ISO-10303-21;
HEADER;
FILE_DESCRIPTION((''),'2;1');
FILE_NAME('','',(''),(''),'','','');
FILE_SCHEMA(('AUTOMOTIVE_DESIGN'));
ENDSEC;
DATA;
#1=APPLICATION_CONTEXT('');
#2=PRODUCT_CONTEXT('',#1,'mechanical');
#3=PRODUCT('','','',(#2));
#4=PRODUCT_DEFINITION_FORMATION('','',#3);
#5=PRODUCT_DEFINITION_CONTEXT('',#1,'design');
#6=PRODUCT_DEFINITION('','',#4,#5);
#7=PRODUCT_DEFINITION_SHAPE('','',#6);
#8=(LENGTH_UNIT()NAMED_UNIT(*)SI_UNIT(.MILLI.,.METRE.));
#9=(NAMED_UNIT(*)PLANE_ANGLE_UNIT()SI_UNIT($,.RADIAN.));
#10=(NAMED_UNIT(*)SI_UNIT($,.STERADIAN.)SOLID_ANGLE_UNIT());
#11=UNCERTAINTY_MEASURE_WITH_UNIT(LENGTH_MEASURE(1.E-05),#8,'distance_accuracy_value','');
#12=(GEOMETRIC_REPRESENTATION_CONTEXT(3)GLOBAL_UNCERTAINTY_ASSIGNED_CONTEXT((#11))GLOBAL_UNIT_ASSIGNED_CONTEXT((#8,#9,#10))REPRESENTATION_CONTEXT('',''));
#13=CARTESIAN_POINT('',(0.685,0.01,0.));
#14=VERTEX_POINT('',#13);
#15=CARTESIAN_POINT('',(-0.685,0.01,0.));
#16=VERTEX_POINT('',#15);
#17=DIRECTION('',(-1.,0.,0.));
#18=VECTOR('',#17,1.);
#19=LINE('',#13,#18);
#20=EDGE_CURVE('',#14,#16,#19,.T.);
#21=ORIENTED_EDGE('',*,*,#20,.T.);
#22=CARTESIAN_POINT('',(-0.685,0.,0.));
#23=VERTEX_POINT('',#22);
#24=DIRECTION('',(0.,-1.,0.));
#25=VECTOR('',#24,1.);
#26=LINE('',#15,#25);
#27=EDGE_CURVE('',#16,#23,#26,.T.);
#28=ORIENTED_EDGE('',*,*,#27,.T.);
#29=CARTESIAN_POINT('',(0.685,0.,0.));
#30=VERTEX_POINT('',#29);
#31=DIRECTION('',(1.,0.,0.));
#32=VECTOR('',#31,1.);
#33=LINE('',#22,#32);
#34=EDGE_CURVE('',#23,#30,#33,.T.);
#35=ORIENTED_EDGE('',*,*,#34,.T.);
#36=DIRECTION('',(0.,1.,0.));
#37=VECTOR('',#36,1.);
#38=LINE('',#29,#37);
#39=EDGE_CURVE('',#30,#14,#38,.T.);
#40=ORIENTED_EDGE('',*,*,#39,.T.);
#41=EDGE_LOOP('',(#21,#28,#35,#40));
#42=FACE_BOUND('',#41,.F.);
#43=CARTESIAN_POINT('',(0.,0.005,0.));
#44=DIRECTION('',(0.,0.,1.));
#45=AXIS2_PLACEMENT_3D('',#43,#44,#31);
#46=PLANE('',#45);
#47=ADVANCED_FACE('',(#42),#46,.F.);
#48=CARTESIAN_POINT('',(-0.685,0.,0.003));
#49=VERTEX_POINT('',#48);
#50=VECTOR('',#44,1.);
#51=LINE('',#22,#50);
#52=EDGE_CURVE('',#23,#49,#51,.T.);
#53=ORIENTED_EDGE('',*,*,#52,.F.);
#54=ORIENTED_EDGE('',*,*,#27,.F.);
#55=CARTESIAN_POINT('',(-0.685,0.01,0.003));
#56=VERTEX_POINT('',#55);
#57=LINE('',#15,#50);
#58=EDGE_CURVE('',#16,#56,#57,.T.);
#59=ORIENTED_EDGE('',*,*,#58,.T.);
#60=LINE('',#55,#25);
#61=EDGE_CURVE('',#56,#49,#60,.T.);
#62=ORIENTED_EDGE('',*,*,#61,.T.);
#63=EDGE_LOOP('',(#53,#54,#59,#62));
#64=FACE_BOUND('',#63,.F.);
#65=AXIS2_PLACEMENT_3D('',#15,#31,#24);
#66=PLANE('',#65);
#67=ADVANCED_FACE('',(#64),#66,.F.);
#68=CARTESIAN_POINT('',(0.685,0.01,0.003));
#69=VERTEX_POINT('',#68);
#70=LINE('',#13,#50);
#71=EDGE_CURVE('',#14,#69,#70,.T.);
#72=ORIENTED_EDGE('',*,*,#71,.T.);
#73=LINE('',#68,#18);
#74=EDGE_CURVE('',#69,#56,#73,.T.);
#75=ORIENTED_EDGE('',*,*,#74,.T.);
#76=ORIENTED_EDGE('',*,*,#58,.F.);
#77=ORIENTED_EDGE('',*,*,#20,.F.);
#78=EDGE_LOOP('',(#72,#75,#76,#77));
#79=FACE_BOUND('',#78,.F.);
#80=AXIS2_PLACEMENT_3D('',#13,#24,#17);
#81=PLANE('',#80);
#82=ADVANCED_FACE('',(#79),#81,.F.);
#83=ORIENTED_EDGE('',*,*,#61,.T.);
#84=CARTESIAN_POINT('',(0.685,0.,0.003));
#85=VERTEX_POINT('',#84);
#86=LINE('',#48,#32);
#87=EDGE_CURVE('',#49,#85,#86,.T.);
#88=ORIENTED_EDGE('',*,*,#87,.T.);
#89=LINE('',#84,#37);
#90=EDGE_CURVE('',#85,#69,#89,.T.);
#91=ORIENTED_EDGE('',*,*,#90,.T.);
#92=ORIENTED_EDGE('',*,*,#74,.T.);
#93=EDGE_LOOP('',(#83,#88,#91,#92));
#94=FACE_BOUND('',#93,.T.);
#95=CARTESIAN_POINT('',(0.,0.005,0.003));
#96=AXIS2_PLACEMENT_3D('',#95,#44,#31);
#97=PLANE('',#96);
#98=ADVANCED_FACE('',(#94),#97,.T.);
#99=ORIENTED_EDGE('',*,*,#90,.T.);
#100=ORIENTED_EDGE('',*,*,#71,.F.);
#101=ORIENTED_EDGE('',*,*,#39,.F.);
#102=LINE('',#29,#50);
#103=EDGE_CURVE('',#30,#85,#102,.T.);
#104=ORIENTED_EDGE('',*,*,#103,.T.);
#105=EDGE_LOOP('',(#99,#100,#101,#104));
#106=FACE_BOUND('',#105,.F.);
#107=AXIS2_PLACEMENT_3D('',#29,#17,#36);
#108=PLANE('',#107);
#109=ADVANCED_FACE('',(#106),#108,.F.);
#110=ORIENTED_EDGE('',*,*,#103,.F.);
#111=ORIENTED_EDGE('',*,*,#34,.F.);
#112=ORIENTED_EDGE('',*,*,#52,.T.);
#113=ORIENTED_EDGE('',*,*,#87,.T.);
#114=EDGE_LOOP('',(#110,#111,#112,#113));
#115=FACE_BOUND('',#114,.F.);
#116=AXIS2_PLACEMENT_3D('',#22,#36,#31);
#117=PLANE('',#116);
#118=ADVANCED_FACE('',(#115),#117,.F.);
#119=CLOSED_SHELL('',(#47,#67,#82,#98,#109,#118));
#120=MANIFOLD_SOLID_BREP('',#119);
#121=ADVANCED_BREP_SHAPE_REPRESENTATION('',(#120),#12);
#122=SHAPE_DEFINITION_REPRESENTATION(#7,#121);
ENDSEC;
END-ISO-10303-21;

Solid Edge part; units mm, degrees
sketch "Sketch1" plane through (0, 0, 0) normal (0, 0, 1) x (1, 0, 0)
  line L0 (-0.685, 0) -> (0.685, 0)
  line L1 (0.685, 0) -> (0.685, 0.01)
  line L2 (0.685, 0.01) -> (-0.685, 0.01)
  line L3 (-0.685, 0.01) -> (-0.685, 0)
  dimension "D1" = 1.37
  dimension "D2" = 0.01
extrude "Protrusion1" add sketch "Sketch1" along normal blind 0.003
